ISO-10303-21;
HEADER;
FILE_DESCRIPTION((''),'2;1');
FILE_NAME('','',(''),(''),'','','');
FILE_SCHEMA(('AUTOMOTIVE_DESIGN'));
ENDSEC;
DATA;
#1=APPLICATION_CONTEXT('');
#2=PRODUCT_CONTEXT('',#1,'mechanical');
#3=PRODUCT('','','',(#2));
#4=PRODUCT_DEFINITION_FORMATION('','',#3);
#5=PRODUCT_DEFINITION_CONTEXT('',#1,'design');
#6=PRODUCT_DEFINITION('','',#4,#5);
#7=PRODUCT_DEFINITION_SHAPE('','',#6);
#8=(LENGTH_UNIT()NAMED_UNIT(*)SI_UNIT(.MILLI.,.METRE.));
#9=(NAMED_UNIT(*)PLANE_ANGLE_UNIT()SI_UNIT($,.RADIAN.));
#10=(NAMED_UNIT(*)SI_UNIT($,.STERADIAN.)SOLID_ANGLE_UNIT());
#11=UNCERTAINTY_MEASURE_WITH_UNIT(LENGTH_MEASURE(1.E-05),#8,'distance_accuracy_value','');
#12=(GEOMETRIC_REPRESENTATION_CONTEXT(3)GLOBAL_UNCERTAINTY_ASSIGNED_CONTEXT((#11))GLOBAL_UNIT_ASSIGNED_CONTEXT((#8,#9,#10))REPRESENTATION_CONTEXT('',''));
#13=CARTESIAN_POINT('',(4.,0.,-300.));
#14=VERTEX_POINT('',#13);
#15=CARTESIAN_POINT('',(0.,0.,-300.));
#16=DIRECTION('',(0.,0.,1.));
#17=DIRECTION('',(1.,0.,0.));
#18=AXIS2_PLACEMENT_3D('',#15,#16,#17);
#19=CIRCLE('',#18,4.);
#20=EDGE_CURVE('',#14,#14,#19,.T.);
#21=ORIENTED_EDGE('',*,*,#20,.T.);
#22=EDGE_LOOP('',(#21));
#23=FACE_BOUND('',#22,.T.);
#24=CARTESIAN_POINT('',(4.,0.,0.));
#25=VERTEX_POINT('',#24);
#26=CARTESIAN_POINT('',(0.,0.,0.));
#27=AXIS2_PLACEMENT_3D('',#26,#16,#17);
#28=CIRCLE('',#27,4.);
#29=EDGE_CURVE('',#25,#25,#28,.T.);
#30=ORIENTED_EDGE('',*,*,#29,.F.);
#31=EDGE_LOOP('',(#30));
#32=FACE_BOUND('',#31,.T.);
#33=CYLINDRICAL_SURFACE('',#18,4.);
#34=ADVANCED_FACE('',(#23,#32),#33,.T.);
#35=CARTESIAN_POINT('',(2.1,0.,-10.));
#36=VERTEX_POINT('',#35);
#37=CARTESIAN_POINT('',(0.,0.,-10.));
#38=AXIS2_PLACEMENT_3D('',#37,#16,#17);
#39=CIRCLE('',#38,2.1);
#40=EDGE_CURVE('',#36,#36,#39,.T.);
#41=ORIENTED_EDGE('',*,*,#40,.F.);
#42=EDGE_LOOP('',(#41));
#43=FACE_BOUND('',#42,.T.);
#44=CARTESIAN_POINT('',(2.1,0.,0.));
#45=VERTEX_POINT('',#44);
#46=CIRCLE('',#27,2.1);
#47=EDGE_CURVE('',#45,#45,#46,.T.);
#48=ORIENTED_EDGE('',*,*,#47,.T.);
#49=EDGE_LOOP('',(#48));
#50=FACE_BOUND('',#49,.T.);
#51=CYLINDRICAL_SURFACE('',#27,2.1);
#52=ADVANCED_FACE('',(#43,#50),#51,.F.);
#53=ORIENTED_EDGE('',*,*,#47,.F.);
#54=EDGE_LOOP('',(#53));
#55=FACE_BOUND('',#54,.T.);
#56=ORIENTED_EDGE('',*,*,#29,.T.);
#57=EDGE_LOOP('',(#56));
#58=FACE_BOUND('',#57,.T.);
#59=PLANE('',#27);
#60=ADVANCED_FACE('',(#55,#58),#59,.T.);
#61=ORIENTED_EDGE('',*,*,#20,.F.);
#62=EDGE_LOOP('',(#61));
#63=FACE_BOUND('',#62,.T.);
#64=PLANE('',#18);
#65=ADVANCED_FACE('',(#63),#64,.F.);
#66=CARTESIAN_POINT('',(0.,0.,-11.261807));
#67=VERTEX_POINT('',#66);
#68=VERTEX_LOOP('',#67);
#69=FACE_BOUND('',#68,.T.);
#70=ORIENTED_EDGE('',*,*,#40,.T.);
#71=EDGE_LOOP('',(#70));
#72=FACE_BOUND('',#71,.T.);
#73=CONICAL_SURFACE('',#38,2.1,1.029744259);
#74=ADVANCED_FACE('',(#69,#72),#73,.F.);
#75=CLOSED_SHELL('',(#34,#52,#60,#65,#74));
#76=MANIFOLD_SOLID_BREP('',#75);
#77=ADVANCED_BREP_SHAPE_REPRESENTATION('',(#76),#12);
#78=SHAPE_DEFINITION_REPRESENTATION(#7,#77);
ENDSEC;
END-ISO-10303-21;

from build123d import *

# Parameters (mm, degrees)
SKETCH1_R                 = 4
BOSS_EXTRUDE1_DEPTH       = 300
M5X0_8_TAPPED_HOLE1_D     = 4.2
M5X0_8_TAPPED_HOLE1_DEPTH = 10
M5X0_8_TAPPED_HOLE1_TIP   = 1.2618073


with BuildPart() as part:
    # Sketch1 → Boss-Extrude1 (new body)
    with BuildSketch(Plane.XY):
        Circle(SKETCH1_R)
    extrude(amount=-BOSS_EXTRUDE1_DEPTH)

    # M5x0.8 Tapped Hole1
    with Locations(Plane.XY):
        with Locations((0, 0)):
            Hole(M5X0_8_TAPPED_HOLE1_D / 2, depth=M5X0_8_TAPPED_HOLE1_DEPTH)
            with Locations((0, 0, -(M5X0_8_TAPPED_HOLE1_DEPTH + M5X0_8_TAPPED_HOLE1_TIP / 2))):  # 118° drill point
                Cone(0, M5X0_8_TAPPED_HOLE1_D / 2, M5X0_8_TAPPED_HOLE1_TIP, mode=Mode.SUBTRACT)


solid = part.part
